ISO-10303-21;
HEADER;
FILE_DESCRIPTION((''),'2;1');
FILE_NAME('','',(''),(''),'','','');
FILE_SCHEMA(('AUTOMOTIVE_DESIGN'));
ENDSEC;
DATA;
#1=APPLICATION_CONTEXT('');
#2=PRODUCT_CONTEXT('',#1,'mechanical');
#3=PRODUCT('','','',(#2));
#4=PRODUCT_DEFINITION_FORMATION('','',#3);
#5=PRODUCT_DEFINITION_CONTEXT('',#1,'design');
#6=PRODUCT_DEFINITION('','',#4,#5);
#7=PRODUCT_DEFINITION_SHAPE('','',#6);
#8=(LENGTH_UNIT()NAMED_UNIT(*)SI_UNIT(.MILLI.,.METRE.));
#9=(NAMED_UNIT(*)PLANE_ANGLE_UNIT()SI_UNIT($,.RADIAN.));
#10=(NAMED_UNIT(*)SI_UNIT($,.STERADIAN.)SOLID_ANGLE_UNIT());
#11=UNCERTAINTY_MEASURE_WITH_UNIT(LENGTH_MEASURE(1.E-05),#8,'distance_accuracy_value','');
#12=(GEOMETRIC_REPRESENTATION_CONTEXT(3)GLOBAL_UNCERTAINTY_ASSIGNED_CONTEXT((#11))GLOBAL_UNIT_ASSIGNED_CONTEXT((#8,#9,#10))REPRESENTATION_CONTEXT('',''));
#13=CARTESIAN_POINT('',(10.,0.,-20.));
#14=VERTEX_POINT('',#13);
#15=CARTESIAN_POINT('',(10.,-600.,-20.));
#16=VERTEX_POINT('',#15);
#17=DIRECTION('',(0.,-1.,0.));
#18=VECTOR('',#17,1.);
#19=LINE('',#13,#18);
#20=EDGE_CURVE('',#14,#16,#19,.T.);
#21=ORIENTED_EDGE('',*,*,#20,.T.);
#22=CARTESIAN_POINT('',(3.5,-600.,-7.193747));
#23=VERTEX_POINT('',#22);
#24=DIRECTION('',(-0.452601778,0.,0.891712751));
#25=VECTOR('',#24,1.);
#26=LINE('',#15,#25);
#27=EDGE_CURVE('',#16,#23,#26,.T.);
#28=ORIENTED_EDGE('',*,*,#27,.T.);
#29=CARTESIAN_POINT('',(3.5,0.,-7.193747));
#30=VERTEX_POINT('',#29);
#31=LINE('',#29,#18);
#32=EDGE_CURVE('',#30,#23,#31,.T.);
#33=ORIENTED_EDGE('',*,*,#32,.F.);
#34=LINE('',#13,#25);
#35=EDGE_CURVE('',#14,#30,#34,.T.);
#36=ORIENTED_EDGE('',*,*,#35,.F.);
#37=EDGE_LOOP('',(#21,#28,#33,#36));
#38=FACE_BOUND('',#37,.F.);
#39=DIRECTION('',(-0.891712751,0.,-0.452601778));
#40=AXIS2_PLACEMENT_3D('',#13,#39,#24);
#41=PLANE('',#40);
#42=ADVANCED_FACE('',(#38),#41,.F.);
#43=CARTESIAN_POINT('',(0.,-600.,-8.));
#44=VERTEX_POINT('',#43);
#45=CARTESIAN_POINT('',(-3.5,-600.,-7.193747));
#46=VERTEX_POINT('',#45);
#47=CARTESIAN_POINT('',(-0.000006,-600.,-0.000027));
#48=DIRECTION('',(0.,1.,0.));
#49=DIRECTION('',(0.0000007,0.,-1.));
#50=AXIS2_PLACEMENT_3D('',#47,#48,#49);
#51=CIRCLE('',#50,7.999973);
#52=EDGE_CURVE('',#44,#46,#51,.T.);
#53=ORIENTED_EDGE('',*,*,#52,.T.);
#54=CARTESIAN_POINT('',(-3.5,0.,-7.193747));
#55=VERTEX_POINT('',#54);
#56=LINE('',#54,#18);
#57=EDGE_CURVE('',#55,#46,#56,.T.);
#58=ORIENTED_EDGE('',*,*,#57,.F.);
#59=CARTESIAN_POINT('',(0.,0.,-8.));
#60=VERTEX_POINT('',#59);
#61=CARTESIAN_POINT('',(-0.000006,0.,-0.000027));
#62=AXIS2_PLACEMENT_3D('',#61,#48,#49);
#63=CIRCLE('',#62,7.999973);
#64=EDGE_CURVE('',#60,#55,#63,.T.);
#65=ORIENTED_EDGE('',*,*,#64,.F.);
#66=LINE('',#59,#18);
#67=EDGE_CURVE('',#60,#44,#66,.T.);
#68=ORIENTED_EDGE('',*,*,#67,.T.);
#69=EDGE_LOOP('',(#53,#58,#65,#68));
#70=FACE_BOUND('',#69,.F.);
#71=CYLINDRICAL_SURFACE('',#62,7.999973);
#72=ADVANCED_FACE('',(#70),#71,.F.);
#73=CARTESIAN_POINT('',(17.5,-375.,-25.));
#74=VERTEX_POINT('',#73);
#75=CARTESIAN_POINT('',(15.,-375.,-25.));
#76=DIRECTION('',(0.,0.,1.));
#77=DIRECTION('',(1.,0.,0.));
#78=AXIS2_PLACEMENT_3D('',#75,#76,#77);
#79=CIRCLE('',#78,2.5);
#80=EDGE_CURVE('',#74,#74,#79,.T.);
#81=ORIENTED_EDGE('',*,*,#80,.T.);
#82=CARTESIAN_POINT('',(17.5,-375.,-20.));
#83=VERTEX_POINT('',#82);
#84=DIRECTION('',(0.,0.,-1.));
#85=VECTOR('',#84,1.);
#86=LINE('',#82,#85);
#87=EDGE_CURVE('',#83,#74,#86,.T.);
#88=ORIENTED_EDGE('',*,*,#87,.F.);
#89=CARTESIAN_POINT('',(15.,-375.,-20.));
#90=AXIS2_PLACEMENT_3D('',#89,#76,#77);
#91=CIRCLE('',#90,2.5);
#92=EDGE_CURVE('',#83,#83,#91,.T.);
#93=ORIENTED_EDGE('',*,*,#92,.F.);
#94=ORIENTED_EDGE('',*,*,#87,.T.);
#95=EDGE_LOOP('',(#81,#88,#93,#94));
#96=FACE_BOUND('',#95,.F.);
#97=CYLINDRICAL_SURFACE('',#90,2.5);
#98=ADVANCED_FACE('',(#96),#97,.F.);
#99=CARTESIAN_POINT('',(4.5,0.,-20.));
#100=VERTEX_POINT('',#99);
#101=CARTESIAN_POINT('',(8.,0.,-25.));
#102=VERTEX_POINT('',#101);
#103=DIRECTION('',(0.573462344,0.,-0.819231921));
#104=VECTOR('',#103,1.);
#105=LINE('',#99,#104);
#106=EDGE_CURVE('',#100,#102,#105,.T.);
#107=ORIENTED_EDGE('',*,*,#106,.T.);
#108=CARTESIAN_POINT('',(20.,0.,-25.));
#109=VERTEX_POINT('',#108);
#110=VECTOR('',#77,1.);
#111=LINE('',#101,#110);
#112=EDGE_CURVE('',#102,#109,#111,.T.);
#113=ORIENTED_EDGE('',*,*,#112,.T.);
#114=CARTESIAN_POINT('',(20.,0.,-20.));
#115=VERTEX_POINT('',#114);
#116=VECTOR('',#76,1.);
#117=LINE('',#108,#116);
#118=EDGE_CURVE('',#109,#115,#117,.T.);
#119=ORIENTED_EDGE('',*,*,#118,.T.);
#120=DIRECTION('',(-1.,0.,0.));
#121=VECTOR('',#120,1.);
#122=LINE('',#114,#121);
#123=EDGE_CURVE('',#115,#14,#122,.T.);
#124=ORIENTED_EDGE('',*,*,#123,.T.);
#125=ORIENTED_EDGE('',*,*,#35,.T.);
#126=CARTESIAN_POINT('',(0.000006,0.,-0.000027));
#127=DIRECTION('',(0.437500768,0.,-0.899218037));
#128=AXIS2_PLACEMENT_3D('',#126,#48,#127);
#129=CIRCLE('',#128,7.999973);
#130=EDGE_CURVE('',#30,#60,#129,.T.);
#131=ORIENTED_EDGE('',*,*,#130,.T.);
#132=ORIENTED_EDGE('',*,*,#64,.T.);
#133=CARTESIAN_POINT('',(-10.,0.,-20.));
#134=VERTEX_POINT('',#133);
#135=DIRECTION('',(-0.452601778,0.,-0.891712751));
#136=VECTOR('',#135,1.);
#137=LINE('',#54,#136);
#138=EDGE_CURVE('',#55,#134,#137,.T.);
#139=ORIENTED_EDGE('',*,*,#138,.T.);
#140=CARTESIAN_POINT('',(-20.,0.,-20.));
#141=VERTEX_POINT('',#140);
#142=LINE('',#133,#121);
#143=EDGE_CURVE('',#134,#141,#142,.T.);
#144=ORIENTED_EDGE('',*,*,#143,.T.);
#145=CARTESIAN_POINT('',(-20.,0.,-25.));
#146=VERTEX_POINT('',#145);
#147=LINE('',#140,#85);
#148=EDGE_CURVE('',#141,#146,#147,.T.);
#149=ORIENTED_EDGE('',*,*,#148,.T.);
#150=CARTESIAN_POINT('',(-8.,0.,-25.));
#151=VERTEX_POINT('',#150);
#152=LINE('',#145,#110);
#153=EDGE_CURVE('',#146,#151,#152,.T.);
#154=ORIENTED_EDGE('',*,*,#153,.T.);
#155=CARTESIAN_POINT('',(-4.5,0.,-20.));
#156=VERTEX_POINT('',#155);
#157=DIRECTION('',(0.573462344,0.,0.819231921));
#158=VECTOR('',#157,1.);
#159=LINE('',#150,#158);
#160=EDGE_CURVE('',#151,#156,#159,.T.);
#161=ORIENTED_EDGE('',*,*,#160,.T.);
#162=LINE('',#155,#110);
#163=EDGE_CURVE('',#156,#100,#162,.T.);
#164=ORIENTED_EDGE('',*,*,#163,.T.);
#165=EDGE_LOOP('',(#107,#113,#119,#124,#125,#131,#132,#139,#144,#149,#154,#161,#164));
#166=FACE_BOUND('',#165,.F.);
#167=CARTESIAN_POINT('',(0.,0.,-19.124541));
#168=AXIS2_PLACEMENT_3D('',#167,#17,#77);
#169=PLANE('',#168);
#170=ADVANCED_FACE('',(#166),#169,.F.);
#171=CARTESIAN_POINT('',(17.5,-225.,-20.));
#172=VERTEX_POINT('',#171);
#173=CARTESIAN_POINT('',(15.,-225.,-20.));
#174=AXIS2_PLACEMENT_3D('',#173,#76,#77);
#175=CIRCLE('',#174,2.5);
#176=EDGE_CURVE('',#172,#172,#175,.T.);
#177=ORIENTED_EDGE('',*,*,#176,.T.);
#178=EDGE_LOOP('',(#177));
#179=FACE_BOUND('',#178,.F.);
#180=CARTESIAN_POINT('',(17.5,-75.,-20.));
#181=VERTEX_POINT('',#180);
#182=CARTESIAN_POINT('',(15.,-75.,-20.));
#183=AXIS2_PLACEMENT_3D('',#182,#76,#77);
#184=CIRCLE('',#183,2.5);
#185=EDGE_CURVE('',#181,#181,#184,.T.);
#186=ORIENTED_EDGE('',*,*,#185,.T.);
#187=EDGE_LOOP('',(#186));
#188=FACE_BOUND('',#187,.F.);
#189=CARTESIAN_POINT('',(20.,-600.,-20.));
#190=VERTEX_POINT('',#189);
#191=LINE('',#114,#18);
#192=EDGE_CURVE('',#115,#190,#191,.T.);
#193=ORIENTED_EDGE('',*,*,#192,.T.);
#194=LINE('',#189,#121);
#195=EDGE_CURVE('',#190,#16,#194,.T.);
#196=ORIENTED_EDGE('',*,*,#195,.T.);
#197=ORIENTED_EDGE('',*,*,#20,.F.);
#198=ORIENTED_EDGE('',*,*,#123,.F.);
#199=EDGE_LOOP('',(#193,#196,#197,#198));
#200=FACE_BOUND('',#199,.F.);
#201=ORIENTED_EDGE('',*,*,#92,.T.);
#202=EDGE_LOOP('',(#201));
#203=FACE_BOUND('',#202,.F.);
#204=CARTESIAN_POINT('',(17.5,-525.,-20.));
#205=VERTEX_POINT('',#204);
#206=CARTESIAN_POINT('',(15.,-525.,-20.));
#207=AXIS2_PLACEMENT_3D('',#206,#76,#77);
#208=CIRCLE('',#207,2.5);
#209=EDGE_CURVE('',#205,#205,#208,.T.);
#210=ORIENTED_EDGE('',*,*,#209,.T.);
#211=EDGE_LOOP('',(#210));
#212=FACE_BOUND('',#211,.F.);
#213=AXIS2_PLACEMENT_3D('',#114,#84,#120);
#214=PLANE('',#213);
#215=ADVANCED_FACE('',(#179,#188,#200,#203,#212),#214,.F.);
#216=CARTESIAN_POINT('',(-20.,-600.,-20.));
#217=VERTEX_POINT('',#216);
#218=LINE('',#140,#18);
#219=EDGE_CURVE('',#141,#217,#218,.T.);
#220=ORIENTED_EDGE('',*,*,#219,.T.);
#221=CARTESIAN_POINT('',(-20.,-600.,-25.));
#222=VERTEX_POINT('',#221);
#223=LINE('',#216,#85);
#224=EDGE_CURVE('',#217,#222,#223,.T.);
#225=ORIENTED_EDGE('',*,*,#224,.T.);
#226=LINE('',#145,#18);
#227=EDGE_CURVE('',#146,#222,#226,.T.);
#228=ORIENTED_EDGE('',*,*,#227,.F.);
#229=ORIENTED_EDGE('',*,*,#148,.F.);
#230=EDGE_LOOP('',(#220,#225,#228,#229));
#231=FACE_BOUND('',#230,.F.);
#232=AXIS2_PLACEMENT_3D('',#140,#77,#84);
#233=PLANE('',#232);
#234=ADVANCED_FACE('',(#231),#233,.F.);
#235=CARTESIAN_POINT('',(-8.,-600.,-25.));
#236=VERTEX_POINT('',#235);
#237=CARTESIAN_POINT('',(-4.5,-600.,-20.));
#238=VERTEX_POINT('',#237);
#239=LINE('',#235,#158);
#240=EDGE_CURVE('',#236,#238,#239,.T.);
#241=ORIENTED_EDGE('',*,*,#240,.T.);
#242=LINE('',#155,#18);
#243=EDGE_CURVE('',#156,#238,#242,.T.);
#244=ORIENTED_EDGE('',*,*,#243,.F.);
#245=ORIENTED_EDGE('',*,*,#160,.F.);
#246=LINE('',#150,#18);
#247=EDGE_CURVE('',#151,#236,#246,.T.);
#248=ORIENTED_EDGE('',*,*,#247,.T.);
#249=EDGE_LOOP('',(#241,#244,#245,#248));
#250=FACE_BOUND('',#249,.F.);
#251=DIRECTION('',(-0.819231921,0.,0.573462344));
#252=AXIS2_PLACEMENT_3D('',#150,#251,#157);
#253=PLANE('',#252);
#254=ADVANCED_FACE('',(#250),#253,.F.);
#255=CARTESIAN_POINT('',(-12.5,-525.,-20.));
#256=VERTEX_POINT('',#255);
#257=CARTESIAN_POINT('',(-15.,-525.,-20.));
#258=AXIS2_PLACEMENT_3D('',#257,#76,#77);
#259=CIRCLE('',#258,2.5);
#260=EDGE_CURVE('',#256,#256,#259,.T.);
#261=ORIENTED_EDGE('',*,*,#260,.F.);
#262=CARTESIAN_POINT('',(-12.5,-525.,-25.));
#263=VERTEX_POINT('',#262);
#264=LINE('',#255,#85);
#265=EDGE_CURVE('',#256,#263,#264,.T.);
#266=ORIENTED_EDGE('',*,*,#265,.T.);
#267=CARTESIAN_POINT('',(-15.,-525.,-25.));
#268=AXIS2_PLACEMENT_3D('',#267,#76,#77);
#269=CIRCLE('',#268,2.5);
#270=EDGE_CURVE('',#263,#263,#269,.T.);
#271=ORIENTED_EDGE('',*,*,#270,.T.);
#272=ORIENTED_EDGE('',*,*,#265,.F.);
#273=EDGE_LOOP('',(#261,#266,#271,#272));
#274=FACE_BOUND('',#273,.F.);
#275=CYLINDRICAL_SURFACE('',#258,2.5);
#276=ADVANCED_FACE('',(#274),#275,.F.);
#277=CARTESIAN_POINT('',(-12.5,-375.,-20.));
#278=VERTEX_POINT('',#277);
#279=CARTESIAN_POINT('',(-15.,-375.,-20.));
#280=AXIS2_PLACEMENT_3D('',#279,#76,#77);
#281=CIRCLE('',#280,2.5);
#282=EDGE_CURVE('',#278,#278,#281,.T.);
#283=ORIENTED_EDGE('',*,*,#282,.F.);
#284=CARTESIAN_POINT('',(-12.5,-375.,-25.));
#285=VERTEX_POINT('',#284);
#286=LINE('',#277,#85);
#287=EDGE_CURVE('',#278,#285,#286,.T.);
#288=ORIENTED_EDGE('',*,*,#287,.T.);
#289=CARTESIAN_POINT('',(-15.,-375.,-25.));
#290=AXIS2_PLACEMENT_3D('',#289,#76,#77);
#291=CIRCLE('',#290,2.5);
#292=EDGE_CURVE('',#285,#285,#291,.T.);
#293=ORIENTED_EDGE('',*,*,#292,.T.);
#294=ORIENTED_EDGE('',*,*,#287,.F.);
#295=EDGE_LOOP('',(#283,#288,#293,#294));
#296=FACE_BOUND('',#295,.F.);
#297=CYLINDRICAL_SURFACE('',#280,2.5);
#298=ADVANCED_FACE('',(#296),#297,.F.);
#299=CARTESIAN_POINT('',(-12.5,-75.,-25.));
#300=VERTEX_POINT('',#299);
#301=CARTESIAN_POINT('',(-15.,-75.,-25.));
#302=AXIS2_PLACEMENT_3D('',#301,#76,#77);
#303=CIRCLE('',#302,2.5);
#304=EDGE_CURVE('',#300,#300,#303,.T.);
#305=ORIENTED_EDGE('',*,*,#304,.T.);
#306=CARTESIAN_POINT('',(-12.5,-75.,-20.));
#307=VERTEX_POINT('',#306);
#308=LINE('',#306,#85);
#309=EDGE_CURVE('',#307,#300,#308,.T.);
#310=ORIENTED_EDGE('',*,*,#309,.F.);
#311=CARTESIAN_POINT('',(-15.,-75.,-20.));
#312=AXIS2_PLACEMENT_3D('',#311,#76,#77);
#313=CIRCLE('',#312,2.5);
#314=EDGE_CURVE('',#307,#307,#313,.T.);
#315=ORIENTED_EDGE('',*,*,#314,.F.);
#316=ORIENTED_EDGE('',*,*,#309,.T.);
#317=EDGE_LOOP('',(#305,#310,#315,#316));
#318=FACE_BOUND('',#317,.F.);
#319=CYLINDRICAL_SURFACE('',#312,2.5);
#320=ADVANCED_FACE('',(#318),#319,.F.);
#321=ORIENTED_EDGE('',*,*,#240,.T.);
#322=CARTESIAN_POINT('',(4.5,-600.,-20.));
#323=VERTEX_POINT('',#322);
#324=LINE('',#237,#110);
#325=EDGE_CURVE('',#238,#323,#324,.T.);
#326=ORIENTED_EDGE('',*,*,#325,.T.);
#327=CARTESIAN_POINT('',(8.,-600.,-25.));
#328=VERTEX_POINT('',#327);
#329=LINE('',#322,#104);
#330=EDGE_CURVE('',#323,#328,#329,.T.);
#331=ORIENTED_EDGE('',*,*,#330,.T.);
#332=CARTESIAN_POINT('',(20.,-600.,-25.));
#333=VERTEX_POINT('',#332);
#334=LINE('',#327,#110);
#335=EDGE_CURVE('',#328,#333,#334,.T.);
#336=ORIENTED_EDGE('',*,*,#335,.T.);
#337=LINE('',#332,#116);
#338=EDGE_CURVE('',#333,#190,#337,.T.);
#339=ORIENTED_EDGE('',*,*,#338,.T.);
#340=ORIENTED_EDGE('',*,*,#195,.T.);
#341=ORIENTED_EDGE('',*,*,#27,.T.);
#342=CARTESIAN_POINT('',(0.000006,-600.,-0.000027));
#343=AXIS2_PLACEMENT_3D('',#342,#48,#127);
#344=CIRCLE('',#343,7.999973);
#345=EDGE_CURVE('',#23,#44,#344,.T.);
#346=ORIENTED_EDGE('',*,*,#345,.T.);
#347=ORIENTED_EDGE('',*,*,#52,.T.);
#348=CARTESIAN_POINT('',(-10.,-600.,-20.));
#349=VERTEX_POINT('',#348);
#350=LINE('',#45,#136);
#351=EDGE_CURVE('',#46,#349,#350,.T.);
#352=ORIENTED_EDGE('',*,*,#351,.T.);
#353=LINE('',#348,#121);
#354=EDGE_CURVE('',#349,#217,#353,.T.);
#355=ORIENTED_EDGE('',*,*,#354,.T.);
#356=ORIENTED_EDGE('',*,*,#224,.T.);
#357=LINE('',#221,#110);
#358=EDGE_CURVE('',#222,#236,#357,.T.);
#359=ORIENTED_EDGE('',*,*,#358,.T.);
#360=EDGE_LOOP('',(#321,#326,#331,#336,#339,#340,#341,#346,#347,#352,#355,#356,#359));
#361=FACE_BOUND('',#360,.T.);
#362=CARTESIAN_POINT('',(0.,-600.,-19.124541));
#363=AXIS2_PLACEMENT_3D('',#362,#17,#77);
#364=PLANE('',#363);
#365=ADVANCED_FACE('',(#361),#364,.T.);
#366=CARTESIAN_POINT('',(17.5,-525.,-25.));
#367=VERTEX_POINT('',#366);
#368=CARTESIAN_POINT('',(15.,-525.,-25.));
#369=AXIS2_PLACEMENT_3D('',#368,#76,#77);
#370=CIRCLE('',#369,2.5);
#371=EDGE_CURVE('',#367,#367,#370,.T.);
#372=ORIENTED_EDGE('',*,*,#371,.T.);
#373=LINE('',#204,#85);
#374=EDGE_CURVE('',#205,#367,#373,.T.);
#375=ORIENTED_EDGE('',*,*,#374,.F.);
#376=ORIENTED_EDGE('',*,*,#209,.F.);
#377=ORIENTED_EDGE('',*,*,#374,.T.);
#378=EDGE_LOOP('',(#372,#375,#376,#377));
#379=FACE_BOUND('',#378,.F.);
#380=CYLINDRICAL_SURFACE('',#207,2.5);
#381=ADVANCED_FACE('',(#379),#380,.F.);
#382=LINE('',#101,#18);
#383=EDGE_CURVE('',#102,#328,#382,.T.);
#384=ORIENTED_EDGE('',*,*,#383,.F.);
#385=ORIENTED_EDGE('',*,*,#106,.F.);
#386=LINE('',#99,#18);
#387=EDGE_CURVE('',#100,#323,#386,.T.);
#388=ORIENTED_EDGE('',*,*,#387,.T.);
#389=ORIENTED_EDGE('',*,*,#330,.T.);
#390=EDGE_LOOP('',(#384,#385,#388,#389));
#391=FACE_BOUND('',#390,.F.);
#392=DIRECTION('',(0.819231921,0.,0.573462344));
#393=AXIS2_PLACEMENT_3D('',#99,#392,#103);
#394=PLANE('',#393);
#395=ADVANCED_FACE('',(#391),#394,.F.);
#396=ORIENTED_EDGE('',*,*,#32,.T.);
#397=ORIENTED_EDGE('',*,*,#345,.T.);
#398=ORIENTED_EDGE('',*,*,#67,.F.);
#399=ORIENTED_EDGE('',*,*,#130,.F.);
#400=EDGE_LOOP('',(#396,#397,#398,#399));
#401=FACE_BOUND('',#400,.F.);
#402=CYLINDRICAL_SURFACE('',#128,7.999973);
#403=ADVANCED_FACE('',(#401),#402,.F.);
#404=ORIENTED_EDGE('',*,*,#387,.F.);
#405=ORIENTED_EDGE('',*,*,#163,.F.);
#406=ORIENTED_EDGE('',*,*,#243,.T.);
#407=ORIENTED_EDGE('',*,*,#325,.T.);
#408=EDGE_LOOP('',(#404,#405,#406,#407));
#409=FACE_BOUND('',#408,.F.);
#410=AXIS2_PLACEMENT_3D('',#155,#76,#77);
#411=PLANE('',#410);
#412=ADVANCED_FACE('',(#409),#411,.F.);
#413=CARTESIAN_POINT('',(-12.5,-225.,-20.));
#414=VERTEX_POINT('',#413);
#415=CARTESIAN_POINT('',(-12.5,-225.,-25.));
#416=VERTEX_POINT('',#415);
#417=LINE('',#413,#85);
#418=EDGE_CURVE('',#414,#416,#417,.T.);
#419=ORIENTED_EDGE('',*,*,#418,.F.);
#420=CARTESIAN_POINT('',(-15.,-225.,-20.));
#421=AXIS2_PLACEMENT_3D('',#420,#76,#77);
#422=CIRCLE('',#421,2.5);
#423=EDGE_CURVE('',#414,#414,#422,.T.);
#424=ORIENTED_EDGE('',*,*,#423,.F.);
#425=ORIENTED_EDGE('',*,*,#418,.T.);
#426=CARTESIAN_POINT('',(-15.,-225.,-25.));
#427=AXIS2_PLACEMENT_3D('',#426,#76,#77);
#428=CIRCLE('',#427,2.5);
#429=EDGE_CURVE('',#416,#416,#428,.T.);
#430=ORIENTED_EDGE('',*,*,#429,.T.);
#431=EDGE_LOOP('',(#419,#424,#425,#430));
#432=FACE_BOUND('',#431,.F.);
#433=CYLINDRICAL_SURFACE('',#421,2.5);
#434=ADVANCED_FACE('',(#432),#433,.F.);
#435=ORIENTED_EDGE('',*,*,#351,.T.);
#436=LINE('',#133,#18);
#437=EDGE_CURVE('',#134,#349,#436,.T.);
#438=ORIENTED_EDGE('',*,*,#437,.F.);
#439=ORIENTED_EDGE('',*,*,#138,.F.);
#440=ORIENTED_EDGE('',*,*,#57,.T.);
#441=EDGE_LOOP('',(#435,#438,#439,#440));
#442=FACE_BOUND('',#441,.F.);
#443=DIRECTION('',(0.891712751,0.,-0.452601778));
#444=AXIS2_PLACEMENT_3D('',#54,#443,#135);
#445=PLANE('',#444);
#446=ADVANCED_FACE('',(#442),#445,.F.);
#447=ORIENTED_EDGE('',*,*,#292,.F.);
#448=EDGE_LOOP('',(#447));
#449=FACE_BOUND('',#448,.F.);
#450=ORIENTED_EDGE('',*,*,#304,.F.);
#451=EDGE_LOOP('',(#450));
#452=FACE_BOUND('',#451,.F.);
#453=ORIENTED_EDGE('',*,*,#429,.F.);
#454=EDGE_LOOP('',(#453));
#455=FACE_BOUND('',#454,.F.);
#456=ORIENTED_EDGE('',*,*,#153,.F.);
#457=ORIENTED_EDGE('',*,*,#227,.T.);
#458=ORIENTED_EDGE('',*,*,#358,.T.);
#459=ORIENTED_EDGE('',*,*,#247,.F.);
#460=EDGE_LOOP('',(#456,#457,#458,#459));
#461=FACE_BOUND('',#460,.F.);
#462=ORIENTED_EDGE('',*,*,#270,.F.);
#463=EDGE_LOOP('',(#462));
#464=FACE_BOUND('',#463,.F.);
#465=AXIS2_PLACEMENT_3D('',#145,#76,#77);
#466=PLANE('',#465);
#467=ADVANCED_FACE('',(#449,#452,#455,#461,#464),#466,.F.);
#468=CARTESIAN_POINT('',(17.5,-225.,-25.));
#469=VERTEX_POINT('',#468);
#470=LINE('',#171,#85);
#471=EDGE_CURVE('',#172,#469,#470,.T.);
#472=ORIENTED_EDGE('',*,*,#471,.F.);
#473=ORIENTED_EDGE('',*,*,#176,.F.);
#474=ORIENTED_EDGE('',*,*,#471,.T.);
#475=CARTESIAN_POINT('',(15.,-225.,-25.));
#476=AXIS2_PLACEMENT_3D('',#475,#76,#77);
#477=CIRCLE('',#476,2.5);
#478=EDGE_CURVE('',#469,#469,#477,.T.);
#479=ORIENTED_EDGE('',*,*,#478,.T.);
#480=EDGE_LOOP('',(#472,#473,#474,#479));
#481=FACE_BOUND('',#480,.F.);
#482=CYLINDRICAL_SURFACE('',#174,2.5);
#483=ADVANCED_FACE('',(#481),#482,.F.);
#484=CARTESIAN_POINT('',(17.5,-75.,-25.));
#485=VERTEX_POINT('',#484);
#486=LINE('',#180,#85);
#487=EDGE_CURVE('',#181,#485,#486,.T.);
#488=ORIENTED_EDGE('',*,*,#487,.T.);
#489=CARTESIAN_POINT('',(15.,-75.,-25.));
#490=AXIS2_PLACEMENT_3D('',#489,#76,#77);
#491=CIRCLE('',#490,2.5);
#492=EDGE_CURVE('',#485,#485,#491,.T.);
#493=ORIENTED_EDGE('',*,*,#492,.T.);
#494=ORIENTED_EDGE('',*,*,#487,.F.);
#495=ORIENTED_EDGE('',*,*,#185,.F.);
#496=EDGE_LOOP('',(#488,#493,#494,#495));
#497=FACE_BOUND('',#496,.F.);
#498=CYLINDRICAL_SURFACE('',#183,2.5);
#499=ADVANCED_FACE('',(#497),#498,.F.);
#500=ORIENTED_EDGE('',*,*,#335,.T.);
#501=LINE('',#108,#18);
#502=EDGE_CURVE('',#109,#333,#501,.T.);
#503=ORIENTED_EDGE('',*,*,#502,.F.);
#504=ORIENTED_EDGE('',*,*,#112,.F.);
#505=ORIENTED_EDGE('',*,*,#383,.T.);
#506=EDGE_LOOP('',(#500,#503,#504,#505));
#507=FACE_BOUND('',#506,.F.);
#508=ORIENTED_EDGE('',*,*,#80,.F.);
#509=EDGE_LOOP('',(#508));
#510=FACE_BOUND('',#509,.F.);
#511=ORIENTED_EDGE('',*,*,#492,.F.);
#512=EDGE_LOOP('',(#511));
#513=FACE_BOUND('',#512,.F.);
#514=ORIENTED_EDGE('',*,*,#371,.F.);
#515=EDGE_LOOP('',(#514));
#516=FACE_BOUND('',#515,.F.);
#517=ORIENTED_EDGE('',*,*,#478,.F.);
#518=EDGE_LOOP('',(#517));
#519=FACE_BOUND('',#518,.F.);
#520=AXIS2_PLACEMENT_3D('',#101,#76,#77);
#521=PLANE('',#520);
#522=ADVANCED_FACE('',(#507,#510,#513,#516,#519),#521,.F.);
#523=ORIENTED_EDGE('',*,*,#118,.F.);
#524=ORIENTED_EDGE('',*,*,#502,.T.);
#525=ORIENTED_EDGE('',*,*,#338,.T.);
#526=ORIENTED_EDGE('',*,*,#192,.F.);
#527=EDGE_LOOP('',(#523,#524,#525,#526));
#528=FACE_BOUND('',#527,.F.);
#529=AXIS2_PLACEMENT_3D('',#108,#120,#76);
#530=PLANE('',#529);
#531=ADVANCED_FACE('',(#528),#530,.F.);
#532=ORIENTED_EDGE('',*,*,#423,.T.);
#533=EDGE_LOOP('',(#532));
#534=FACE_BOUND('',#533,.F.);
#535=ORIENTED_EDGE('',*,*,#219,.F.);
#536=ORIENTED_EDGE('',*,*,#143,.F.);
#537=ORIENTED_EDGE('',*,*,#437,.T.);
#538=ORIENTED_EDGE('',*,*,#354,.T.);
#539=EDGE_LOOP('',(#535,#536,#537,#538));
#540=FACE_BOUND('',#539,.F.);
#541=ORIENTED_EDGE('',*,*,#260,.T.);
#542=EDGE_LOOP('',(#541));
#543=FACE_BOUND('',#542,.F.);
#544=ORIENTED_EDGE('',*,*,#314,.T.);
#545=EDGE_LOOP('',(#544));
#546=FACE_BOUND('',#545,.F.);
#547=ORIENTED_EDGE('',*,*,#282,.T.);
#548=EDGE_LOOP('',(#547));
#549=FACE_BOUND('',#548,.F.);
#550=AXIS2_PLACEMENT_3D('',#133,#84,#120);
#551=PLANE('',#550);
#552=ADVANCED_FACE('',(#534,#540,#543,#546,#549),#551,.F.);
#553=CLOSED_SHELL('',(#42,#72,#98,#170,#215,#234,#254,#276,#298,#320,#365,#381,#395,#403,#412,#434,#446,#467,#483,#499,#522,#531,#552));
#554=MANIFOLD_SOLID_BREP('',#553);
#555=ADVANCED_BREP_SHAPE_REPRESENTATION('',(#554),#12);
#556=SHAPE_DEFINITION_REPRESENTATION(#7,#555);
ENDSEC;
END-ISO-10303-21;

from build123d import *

# Parameters (mm, degrees)
F1_DEPTH = 600
F2_R     = 2.5
F3_DEPTH = 5


with BuildPart() as f1:
    # F0 (on Front) → F1 (new body)
    with BuildSketch(Plane.XZ):
        with BuildLine():
            Line((-4.5, -20), (0, -20))
            Line((0, -20), (4.5, -20))
            Line((4.5, -20), (8, -25))
            Line((8, -25), (20, -25))
            Line((20, -25), (20, -20))
            Line((20, -20), (10, -20))
            Line((10, -20), (3.5, -7.193747))
            ThreePointArc((3.5, -7.193747), (1.795832, -7.795832), (0, -8))
            ThreePointArc((0, -8), (-1.795832, -7.795832), (-3.5, -7.193747))
            Line((-3.5, -7.193747), (-10, -20))
            Line((-10, -20), (-20, -20))
            Line((-20, -20), (-20, -25))
            Line((-20, -25), (-8, -25))
            Line((-8, -25), (-4.5, -20))
        make_face()
    extrude(amount=F1_DEPTH)

    # F2 (on face) → F3 (cut, through all)
    with BuildSketch(Plane.XY.offset(-20)):
        with Locations((15, -525)):
            Circle(F2_R)
        with Locations((15, -375)):
            Circle(F2_R)
        with Locations((-15, -375)):
            Circle(F2_R)
        with Locations((-15, -525)):
            Circle(F2_R)
        with Locations((-15, -225)):
            Circle(F2_R)
        with Locations((15, -225)):
            Circle(F2_R)
        with Locations((-15, -75)):
            Circle(F2_R)
        with Locations((15, -75)):
            Circle(F2_R)
    extrude(amount=-F3_DEPTH, mode=Mode.SUBTRACT)


solid = f1.part
